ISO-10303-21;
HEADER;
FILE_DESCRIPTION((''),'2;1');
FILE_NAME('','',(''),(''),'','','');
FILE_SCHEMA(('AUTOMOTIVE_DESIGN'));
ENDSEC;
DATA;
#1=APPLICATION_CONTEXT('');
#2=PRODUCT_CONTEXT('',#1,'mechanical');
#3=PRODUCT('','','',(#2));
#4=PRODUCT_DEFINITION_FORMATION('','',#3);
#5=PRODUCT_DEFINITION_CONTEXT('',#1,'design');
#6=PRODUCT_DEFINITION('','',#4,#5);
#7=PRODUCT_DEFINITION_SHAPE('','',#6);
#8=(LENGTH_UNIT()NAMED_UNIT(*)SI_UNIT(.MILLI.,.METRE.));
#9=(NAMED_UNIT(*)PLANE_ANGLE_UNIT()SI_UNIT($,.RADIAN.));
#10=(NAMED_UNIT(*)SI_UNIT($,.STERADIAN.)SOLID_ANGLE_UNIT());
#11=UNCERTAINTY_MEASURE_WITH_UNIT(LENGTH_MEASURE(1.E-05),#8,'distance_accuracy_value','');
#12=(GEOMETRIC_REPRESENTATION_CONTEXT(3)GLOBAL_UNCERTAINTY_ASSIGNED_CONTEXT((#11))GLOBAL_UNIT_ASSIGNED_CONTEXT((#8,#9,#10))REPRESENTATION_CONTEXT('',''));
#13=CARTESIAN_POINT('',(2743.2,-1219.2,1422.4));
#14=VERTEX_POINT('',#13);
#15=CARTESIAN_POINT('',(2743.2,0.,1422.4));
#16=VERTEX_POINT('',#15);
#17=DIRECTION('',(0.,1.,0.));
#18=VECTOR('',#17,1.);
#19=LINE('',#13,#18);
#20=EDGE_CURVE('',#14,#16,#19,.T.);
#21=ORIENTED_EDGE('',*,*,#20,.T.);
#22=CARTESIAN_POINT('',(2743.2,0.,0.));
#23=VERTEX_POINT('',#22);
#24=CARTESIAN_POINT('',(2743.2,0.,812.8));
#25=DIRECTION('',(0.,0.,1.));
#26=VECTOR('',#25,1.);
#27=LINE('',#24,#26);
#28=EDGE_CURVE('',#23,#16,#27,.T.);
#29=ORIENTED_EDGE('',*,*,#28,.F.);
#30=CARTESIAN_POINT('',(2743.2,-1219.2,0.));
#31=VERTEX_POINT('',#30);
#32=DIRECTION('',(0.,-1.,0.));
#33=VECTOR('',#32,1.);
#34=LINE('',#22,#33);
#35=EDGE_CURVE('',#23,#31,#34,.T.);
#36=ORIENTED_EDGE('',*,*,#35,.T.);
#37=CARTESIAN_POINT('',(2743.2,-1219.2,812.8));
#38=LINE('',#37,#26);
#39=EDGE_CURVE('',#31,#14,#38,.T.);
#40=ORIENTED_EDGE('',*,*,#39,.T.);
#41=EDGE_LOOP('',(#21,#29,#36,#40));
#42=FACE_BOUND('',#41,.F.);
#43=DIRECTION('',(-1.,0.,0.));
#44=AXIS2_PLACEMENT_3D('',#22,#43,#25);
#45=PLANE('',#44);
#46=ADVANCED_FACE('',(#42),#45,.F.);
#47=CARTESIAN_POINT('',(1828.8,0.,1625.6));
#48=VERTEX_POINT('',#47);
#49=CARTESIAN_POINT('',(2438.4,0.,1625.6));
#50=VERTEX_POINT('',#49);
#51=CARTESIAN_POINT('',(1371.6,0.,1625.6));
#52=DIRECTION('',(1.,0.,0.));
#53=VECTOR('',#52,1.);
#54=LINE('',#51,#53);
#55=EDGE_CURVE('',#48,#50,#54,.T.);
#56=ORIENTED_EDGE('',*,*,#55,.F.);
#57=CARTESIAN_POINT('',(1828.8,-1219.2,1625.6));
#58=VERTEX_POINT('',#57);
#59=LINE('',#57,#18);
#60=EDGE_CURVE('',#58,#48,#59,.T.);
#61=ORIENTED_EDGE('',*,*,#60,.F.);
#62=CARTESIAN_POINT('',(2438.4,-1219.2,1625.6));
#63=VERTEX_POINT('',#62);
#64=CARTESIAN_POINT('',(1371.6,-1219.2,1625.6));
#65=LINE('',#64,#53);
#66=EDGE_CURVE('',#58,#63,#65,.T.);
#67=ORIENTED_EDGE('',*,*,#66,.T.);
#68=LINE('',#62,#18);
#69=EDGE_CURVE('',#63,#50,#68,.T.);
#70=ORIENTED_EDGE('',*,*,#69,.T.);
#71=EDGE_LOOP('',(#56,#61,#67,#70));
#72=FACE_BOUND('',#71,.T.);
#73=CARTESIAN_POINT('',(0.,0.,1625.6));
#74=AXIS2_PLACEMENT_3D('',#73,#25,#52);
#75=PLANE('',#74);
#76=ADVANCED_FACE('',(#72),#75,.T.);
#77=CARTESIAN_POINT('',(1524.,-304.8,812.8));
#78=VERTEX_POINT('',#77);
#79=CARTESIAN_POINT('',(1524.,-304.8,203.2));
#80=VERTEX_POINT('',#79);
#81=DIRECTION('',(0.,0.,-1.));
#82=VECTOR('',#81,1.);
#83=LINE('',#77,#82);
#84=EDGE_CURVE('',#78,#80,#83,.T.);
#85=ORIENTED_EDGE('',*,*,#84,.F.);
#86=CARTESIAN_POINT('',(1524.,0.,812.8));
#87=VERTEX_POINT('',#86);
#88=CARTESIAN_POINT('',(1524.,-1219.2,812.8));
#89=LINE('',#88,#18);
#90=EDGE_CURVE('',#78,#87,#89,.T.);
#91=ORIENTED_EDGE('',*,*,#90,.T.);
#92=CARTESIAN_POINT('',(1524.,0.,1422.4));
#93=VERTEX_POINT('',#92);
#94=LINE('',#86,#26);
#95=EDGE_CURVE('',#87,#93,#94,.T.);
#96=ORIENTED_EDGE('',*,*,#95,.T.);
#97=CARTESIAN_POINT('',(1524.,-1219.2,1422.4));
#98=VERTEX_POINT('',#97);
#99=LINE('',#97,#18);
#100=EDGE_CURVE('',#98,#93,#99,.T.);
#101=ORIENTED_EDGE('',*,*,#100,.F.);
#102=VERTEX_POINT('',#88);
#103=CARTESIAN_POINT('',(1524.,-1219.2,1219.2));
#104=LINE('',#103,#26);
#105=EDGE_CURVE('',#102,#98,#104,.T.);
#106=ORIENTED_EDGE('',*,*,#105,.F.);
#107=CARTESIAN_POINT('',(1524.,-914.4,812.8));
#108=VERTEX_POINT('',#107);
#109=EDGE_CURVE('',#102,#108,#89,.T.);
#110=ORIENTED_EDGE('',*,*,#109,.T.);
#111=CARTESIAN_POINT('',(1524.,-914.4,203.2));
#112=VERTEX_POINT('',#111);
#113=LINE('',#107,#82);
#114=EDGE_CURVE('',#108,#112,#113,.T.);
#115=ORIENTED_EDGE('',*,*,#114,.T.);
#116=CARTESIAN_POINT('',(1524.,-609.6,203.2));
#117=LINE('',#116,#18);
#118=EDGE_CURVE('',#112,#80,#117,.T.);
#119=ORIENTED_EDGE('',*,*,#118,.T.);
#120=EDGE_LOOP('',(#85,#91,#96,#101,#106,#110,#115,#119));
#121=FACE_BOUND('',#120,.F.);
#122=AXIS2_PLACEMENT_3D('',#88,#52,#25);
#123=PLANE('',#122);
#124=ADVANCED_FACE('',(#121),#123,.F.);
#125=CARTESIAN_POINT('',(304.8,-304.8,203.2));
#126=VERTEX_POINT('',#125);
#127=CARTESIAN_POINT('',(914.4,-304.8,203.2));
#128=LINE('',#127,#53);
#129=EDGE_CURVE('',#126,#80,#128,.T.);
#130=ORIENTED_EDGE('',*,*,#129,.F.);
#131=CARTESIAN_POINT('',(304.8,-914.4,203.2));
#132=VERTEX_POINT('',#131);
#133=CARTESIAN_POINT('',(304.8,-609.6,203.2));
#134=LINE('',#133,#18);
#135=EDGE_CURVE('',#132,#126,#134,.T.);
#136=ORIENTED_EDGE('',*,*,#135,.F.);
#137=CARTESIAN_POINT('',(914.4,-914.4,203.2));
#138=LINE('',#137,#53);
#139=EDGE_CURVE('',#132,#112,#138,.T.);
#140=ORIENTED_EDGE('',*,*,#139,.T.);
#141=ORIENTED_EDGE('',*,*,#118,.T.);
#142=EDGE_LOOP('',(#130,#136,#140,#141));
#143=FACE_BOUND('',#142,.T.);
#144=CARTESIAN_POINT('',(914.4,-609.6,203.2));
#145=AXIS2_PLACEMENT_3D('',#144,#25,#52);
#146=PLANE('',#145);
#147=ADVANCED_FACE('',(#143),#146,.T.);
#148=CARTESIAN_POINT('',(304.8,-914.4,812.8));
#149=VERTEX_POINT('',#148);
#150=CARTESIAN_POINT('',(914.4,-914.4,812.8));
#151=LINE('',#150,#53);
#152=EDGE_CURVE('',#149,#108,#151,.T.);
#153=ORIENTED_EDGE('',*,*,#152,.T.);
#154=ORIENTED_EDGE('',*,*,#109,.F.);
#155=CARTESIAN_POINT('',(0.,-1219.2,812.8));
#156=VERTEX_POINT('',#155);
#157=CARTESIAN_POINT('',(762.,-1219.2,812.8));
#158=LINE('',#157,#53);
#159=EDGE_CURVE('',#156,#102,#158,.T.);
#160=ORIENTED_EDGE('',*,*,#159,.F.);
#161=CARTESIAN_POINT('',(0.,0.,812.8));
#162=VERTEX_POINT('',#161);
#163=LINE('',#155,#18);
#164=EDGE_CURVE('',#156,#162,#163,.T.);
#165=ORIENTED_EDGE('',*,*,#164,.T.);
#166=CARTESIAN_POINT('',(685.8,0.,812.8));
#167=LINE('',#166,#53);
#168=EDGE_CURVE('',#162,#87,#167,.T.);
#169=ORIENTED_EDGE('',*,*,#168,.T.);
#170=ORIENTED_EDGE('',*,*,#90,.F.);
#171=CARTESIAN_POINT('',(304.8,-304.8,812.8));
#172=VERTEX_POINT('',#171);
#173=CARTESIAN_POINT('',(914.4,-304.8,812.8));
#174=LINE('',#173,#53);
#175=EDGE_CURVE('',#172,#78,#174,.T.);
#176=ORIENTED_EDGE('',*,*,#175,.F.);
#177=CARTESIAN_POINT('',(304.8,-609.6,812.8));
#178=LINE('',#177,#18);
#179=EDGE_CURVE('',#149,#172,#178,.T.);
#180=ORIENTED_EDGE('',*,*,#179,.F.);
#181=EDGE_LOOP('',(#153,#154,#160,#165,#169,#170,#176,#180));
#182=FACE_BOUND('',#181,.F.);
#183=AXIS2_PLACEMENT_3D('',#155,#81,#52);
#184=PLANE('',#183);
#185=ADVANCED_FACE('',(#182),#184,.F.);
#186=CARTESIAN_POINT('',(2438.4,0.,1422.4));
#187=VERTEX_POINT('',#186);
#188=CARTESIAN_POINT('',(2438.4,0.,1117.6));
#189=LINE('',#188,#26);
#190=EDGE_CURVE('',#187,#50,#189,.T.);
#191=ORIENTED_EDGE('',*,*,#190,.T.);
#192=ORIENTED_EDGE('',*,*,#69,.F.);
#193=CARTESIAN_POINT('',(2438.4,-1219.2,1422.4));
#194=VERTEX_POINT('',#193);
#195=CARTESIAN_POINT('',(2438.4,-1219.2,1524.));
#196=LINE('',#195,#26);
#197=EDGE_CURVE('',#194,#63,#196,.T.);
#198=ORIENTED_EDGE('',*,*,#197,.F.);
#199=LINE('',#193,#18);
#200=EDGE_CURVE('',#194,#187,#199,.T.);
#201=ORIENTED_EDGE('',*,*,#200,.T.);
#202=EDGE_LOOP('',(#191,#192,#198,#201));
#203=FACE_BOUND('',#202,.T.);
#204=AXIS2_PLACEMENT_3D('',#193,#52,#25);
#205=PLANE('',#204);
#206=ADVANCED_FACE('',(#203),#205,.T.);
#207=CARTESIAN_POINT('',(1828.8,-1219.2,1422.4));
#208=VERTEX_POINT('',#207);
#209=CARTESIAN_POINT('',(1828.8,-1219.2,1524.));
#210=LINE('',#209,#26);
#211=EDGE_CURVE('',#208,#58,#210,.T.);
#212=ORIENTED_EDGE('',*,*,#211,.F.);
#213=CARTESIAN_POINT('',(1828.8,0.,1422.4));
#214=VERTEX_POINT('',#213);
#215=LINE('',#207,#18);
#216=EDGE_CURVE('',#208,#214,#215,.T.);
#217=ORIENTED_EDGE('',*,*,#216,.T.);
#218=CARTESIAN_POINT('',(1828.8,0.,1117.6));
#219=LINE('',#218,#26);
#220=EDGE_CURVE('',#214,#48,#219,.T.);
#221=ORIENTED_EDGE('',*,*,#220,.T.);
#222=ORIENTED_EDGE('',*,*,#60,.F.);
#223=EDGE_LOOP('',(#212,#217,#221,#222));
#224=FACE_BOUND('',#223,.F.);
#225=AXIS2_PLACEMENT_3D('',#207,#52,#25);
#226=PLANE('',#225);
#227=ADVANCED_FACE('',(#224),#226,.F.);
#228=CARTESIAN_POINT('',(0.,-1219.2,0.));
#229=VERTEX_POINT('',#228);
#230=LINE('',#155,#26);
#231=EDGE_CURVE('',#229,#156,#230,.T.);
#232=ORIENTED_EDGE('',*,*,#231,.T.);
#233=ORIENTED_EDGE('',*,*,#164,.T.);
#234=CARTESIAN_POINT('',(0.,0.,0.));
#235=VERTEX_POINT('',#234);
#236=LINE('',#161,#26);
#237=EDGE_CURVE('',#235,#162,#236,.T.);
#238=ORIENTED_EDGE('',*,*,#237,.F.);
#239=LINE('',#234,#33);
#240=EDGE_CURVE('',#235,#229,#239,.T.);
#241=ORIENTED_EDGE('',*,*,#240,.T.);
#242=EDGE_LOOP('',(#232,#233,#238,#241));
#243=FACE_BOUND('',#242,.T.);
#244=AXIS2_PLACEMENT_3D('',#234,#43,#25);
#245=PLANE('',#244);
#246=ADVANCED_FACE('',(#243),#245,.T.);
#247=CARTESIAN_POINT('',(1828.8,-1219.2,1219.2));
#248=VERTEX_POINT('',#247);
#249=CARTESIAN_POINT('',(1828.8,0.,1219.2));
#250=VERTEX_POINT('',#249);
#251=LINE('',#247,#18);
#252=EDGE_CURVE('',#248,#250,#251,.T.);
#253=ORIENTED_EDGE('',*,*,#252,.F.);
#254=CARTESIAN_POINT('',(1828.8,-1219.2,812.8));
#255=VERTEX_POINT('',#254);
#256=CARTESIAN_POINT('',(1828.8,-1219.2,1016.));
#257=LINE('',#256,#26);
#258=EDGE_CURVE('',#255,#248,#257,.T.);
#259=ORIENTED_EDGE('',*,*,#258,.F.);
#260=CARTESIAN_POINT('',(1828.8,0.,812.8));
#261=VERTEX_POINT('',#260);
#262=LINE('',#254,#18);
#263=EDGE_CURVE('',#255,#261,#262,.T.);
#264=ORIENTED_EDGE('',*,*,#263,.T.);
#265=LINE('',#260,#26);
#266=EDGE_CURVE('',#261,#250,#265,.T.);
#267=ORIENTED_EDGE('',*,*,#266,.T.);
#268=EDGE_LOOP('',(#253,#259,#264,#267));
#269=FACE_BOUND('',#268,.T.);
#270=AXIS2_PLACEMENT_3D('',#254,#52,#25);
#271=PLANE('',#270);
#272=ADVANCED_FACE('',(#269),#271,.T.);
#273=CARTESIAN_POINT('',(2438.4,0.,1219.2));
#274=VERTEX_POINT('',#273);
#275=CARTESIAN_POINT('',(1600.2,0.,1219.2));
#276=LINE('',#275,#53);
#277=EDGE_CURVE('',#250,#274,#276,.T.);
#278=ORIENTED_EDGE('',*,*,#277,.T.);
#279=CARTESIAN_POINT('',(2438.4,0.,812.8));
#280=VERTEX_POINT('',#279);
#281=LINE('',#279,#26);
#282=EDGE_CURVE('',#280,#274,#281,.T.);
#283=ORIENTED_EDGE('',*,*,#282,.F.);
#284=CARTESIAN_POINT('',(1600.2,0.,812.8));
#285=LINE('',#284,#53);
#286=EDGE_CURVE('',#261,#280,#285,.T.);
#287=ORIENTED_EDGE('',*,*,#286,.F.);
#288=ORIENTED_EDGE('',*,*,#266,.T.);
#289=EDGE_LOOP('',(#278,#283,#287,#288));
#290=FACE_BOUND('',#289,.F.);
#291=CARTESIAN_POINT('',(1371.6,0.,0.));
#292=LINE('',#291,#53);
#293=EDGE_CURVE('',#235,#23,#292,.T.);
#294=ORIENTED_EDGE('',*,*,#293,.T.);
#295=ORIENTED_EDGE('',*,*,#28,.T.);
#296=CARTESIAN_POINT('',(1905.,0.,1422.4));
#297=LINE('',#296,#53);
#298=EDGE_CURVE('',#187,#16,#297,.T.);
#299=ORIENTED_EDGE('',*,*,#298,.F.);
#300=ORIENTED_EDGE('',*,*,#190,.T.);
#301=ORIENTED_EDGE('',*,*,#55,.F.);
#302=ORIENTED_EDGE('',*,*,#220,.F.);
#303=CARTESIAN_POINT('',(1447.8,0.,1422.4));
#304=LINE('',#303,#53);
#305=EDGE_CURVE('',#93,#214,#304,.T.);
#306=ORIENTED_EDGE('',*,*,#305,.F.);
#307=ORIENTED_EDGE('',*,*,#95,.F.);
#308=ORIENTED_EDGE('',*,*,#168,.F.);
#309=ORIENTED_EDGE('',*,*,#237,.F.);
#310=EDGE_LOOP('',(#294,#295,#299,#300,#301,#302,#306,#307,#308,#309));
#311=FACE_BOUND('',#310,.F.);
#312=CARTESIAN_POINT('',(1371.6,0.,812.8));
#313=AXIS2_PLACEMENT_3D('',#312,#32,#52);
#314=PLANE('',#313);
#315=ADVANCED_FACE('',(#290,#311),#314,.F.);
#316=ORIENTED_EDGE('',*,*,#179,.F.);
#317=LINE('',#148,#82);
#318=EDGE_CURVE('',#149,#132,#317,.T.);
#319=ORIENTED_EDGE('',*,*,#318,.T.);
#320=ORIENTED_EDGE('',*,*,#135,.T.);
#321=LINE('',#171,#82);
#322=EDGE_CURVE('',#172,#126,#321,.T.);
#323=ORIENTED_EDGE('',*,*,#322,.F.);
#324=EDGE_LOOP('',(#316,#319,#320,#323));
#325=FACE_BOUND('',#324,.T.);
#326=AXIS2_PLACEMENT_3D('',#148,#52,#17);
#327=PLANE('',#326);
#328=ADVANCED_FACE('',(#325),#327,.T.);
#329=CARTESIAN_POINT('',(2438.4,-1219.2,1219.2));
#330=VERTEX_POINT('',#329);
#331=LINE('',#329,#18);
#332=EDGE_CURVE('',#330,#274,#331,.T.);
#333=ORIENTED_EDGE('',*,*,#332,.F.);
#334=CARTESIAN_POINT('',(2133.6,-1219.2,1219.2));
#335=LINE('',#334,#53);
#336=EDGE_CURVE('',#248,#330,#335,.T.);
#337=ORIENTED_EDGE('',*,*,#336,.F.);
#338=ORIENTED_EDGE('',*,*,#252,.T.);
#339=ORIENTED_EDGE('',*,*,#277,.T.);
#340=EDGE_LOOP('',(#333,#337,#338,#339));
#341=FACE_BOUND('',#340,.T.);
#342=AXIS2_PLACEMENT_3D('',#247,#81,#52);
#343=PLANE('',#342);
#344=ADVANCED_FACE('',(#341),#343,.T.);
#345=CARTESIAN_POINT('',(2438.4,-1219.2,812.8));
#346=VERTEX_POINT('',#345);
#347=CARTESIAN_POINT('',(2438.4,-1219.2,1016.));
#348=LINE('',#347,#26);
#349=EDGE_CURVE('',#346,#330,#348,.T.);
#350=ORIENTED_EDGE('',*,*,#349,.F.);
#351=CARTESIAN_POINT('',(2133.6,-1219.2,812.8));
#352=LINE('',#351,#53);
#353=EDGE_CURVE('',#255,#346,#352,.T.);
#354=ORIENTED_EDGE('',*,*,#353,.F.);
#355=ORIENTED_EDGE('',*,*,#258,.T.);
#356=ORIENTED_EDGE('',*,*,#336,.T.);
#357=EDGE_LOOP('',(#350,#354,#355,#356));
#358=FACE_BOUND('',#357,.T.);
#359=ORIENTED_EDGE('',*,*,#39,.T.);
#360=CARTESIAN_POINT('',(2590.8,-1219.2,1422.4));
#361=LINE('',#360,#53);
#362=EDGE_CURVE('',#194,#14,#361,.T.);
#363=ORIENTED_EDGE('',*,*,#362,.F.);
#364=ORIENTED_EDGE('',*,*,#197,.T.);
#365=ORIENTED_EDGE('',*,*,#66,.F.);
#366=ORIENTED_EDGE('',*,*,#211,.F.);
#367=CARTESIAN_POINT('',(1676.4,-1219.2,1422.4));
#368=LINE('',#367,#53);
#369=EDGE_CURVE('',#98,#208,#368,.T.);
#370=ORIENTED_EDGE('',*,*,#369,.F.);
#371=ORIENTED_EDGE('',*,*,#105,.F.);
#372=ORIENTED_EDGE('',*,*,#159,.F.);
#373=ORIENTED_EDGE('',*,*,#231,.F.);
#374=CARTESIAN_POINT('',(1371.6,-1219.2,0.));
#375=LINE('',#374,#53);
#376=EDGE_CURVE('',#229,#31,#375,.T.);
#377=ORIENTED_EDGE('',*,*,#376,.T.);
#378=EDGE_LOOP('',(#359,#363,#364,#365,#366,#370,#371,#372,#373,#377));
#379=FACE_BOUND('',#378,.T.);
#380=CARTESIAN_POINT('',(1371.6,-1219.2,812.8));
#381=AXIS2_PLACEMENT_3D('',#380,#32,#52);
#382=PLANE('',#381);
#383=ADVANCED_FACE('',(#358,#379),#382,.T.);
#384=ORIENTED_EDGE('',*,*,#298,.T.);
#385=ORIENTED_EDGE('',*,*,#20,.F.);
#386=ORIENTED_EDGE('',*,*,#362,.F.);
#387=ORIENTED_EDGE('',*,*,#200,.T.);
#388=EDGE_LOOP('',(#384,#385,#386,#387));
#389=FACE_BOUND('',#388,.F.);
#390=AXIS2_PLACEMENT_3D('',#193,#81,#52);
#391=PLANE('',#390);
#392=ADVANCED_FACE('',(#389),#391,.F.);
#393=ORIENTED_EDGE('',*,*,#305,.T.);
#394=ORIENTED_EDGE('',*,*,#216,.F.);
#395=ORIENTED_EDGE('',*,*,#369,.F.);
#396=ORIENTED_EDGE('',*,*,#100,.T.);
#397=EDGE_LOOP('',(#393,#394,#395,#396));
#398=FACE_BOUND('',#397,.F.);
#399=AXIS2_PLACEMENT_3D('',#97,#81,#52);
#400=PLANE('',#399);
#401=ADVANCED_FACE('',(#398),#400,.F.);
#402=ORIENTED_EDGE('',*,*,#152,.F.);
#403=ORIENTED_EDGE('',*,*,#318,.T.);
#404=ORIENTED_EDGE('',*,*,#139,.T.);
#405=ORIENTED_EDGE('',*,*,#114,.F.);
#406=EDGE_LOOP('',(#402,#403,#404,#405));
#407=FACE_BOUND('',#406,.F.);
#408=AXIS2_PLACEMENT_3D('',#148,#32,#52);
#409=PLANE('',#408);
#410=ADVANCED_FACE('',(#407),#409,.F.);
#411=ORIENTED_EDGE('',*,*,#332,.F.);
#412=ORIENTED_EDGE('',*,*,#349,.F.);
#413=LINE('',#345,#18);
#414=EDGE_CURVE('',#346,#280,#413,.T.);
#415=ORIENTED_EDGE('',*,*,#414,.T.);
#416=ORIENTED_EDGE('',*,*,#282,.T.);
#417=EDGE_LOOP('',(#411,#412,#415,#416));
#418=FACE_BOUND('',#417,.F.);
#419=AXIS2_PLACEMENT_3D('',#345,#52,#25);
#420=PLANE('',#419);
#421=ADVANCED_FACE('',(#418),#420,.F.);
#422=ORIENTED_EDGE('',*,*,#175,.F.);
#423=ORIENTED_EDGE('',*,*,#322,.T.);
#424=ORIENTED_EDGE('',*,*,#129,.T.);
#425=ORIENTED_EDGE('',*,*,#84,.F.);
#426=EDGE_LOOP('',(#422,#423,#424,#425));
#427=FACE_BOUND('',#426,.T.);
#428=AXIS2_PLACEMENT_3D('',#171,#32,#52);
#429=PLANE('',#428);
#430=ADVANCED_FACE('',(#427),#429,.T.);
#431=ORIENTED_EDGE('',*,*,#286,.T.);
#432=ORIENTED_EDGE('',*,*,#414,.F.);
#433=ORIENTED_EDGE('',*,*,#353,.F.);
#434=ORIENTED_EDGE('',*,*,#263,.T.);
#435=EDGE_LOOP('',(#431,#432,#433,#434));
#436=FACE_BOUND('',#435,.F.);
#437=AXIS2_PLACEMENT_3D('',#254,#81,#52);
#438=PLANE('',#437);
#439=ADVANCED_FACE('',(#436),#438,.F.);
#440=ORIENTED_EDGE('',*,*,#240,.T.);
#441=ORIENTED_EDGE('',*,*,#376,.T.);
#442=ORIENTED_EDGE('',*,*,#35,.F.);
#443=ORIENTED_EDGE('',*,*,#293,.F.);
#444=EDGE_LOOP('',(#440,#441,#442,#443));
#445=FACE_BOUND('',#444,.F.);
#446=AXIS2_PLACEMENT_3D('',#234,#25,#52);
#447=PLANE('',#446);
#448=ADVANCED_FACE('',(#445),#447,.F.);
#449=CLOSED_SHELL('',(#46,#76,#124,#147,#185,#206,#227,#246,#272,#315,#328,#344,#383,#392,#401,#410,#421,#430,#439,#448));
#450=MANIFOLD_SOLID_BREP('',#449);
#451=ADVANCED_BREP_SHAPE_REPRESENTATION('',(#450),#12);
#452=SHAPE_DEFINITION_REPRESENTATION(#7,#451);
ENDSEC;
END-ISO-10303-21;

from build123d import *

# Parameters (mm, degrees)
F0_W      = 2743.2
F0_H      = 1625.6
F1_DEPTH  = 1219.2
F2_W      = 304.8
F2_H      = 203.2
F3_DEPTH  = 1219.201
F4_W      = 1524
F4_H      = 812.8
F5_DEPTH  = 1219.201
F6_W      = 304.8
F6_H      = 203.2
F7_DEPTH  = 1219.201
F8_W      = 609.6
F8_H      = 406.4
F9_DEPTH  = 1219.201
F10_W     = 1219.2
F10_H     = 609.6
F11_DEPTH = 609.6


with BuildPart() as f1:
    # F0 (on Front) → F1 (new body)
    with BuildSketch(Plane.XZ):
        with Locations((1371.6, 812.8)):
            Rectangle(F0_W, F0_H)
    extrude(amount=F1_DEPTH)

    # F2 (on face) → F3 (cut, through all)
    with BuildSketch(Plane.XZ.offset(1219.2)):
        with Locations((2590.8, 1524)):
            Rectangle(F2_W, F2_H)
    extrude(amount=-F3_DEPTH, mode=Mode.SUBTRACT)

    # F4 (on face) → F5 (cut, through all)
    with BuildSketch(Plane.XZ.offset(1219.2)):
        with Locations((762, 1219.2)):
            Rectangle(F4_W, F4_H)
    extrude(amount=-F5_DEPTH, mode=Mode.SUBTRACT)

    # F6 (on face) → F7 (cut, through all)
    with BuildSketch(Plane.XZ.offset(1219.2)):
        with Locations((1676.4, 1524)):
            Rectangle(F6_W, F6_H)
    extrude(amount=-F7_DEPTH, mode=Mode.SUBTRACT)

    # F8 (on face) → F9 (cut, through all)
    with BuildSketch(Plane.XZ.offset(1219.2)):
        with Locations((2133.6, 1016)):
            Rectangle(F8_W, F8_H)
    extrude(amount=-F9_DEPTH, mode=Mode.SUBTRACT)

    # F10 (on face) → F11 (cut)
    with BuildSketch(Plane.XY.offset(812.8)):
        with Locations((914.4, -609.6)):
            Rectangle(F10_W, F10_H)
    extrude(amount=-F11_DEPTH, mode=Mode.SUBTRACT)


solid = f1.part
